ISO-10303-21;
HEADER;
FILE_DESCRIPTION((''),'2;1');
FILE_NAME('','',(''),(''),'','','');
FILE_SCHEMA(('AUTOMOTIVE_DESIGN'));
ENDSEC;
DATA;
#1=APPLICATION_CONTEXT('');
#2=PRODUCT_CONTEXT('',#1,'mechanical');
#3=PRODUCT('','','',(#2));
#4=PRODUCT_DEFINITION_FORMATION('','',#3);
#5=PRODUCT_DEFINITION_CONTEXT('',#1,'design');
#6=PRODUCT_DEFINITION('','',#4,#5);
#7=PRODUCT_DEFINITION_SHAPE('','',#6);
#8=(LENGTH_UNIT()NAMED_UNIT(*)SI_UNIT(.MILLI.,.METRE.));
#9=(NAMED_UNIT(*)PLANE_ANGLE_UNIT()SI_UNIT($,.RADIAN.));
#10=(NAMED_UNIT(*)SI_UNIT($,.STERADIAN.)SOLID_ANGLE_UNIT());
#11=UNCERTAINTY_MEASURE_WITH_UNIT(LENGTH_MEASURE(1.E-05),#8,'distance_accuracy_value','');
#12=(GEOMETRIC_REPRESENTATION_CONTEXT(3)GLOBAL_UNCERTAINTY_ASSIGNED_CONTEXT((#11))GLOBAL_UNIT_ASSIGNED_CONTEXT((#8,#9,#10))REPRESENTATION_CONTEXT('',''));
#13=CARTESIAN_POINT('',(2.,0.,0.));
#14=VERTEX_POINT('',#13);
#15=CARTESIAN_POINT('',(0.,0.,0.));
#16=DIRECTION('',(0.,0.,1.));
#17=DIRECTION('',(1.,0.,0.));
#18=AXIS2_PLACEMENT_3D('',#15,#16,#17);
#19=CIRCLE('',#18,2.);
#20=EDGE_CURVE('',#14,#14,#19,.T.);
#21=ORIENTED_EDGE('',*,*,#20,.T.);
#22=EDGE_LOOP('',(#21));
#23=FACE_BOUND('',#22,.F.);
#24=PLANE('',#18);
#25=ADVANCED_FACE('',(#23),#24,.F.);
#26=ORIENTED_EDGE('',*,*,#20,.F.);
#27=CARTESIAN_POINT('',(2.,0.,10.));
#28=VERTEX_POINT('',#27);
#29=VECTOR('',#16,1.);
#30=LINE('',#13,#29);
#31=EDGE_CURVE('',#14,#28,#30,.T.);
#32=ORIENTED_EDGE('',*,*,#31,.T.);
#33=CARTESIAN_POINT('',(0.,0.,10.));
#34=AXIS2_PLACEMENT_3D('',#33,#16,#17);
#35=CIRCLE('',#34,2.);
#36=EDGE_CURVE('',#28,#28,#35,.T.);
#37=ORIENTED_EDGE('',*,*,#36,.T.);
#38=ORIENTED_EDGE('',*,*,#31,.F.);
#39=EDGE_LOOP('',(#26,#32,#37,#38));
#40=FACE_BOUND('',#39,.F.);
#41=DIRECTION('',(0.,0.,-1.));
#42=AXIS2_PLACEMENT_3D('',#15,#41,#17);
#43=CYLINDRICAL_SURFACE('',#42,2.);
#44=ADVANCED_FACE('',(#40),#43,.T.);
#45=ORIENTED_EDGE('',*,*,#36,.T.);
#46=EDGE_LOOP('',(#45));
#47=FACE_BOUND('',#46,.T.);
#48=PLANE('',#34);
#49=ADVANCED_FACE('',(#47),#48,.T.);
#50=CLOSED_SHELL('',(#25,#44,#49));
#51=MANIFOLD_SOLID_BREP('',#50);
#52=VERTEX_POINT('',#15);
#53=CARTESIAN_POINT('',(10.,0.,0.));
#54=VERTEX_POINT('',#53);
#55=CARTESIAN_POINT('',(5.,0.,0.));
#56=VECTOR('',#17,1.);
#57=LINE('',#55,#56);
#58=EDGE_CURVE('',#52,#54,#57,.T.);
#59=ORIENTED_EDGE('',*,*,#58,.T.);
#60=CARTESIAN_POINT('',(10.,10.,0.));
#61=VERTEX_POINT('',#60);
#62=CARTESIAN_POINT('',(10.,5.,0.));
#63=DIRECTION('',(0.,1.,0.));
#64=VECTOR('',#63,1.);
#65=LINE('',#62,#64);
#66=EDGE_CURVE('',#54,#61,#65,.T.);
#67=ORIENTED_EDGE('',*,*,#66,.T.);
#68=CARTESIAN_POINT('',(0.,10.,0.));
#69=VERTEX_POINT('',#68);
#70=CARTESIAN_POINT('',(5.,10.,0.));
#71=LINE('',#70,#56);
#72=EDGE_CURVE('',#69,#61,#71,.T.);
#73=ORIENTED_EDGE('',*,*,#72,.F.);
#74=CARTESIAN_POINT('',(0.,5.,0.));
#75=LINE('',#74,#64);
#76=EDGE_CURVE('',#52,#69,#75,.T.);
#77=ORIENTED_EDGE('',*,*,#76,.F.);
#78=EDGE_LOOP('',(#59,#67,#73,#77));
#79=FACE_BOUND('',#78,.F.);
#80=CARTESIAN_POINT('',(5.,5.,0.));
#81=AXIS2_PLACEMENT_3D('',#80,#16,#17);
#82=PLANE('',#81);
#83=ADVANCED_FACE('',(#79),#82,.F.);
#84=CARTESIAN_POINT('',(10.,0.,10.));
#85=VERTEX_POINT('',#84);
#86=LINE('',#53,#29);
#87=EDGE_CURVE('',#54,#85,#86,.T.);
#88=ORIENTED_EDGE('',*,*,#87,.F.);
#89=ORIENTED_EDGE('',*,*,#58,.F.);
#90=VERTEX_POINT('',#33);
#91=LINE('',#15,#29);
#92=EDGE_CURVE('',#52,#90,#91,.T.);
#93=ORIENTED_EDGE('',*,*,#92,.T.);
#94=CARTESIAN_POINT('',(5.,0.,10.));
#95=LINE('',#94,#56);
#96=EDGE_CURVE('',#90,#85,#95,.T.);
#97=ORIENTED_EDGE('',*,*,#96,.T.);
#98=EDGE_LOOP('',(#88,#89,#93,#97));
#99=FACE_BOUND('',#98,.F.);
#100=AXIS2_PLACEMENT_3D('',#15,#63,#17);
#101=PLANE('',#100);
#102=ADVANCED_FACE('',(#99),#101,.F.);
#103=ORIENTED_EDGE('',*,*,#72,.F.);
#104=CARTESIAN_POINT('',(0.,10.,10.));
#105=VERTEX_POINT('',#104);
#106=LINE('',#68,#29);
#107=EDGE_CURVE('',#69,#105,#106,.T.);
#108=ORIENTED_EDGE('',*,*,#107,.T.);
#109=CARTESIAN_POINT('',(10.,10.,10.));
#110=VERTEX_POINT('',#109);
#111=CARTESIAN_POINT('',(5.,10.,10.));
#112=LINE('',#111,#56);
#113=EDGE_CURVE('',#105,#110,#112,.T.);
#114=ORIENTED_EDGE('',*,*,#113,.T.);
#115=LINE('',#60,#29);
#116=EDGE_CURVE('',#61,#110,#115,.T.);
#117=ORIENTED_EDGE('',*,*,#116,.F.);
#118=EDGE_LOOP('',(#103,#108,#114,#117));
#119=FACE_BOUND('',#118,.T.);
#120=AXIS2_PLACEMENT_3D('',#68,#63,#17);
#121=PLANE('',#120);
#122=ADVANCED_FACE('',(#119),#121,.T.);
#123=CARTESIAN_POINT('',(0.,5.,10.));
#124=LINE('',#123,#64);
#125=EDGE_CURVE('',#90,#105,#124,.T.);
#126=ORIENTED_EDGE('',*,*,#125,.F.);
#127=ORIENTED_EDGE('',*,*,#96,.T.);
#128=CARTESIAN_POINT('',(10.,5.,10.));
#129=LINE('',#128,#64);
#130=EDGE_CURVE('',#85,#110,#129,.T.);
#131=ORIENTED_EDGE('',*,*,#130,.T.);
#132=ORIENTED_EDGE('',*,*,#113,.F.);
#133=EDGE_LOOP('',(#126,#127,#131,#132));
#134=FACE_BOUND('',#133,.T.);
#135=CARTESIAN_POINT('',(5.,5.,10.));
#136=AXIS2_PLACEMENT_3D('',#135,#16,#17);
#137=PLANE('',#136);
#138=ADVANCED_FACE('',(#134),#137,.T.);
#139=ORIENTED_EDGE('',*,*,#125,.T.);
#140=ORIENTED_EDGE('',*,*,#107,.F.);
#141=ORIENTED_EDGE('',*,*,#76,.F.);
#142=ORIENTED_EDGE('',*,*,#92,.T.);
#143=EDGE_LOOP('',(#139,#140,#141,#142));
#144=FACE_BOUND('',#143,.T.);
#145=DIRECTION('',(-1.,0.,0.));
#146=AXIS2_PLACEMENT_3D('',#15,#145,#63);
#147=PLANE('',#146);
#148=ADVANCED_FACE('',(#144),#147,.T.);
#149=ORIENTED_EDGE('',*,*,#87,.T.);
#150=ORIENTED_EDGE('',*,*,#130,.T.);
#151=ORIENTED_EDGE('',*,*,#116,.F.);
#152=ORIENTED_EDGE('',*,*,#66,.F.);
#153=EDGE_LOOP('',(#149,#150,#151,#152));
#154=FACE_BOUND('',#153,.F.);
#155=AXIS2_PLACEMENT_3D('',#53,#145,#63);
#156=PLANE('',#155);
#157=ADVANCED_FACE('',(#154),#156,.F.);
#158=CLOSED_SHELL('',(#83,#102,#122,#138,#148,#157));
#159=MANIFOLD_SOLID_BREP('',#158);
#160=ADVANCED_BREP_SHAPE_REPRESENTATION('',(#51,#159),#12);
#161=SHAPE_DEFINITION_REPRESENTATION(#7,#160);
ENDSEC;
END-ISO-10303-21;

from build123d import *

# Parameters (mm, degrees)
BOX_W          = 10
BOX_H          = 10
BOX_DEPTH      = 10
CYLINDER_R     = 2
CYLINDER_DEPTH = 10


with BuildPart() as cube:
    # Box → Box (new body)
    with BuildSketch(Plane.XY):
        with Locations((5, 5)):
            Rectangle(BOX_W, BOX_H)
    extrude(amount=BOX_DEPTH)


with BuildPart() as cylinder:
    # Cylinder → Cylinder (new body)
    with BuildSketch(Plane.XY):
        Circle(CYLINDER_R)
    extrude(amount=CYLINDER_DEPTH)


solid = Compound([cube.part, cylinder.part])
